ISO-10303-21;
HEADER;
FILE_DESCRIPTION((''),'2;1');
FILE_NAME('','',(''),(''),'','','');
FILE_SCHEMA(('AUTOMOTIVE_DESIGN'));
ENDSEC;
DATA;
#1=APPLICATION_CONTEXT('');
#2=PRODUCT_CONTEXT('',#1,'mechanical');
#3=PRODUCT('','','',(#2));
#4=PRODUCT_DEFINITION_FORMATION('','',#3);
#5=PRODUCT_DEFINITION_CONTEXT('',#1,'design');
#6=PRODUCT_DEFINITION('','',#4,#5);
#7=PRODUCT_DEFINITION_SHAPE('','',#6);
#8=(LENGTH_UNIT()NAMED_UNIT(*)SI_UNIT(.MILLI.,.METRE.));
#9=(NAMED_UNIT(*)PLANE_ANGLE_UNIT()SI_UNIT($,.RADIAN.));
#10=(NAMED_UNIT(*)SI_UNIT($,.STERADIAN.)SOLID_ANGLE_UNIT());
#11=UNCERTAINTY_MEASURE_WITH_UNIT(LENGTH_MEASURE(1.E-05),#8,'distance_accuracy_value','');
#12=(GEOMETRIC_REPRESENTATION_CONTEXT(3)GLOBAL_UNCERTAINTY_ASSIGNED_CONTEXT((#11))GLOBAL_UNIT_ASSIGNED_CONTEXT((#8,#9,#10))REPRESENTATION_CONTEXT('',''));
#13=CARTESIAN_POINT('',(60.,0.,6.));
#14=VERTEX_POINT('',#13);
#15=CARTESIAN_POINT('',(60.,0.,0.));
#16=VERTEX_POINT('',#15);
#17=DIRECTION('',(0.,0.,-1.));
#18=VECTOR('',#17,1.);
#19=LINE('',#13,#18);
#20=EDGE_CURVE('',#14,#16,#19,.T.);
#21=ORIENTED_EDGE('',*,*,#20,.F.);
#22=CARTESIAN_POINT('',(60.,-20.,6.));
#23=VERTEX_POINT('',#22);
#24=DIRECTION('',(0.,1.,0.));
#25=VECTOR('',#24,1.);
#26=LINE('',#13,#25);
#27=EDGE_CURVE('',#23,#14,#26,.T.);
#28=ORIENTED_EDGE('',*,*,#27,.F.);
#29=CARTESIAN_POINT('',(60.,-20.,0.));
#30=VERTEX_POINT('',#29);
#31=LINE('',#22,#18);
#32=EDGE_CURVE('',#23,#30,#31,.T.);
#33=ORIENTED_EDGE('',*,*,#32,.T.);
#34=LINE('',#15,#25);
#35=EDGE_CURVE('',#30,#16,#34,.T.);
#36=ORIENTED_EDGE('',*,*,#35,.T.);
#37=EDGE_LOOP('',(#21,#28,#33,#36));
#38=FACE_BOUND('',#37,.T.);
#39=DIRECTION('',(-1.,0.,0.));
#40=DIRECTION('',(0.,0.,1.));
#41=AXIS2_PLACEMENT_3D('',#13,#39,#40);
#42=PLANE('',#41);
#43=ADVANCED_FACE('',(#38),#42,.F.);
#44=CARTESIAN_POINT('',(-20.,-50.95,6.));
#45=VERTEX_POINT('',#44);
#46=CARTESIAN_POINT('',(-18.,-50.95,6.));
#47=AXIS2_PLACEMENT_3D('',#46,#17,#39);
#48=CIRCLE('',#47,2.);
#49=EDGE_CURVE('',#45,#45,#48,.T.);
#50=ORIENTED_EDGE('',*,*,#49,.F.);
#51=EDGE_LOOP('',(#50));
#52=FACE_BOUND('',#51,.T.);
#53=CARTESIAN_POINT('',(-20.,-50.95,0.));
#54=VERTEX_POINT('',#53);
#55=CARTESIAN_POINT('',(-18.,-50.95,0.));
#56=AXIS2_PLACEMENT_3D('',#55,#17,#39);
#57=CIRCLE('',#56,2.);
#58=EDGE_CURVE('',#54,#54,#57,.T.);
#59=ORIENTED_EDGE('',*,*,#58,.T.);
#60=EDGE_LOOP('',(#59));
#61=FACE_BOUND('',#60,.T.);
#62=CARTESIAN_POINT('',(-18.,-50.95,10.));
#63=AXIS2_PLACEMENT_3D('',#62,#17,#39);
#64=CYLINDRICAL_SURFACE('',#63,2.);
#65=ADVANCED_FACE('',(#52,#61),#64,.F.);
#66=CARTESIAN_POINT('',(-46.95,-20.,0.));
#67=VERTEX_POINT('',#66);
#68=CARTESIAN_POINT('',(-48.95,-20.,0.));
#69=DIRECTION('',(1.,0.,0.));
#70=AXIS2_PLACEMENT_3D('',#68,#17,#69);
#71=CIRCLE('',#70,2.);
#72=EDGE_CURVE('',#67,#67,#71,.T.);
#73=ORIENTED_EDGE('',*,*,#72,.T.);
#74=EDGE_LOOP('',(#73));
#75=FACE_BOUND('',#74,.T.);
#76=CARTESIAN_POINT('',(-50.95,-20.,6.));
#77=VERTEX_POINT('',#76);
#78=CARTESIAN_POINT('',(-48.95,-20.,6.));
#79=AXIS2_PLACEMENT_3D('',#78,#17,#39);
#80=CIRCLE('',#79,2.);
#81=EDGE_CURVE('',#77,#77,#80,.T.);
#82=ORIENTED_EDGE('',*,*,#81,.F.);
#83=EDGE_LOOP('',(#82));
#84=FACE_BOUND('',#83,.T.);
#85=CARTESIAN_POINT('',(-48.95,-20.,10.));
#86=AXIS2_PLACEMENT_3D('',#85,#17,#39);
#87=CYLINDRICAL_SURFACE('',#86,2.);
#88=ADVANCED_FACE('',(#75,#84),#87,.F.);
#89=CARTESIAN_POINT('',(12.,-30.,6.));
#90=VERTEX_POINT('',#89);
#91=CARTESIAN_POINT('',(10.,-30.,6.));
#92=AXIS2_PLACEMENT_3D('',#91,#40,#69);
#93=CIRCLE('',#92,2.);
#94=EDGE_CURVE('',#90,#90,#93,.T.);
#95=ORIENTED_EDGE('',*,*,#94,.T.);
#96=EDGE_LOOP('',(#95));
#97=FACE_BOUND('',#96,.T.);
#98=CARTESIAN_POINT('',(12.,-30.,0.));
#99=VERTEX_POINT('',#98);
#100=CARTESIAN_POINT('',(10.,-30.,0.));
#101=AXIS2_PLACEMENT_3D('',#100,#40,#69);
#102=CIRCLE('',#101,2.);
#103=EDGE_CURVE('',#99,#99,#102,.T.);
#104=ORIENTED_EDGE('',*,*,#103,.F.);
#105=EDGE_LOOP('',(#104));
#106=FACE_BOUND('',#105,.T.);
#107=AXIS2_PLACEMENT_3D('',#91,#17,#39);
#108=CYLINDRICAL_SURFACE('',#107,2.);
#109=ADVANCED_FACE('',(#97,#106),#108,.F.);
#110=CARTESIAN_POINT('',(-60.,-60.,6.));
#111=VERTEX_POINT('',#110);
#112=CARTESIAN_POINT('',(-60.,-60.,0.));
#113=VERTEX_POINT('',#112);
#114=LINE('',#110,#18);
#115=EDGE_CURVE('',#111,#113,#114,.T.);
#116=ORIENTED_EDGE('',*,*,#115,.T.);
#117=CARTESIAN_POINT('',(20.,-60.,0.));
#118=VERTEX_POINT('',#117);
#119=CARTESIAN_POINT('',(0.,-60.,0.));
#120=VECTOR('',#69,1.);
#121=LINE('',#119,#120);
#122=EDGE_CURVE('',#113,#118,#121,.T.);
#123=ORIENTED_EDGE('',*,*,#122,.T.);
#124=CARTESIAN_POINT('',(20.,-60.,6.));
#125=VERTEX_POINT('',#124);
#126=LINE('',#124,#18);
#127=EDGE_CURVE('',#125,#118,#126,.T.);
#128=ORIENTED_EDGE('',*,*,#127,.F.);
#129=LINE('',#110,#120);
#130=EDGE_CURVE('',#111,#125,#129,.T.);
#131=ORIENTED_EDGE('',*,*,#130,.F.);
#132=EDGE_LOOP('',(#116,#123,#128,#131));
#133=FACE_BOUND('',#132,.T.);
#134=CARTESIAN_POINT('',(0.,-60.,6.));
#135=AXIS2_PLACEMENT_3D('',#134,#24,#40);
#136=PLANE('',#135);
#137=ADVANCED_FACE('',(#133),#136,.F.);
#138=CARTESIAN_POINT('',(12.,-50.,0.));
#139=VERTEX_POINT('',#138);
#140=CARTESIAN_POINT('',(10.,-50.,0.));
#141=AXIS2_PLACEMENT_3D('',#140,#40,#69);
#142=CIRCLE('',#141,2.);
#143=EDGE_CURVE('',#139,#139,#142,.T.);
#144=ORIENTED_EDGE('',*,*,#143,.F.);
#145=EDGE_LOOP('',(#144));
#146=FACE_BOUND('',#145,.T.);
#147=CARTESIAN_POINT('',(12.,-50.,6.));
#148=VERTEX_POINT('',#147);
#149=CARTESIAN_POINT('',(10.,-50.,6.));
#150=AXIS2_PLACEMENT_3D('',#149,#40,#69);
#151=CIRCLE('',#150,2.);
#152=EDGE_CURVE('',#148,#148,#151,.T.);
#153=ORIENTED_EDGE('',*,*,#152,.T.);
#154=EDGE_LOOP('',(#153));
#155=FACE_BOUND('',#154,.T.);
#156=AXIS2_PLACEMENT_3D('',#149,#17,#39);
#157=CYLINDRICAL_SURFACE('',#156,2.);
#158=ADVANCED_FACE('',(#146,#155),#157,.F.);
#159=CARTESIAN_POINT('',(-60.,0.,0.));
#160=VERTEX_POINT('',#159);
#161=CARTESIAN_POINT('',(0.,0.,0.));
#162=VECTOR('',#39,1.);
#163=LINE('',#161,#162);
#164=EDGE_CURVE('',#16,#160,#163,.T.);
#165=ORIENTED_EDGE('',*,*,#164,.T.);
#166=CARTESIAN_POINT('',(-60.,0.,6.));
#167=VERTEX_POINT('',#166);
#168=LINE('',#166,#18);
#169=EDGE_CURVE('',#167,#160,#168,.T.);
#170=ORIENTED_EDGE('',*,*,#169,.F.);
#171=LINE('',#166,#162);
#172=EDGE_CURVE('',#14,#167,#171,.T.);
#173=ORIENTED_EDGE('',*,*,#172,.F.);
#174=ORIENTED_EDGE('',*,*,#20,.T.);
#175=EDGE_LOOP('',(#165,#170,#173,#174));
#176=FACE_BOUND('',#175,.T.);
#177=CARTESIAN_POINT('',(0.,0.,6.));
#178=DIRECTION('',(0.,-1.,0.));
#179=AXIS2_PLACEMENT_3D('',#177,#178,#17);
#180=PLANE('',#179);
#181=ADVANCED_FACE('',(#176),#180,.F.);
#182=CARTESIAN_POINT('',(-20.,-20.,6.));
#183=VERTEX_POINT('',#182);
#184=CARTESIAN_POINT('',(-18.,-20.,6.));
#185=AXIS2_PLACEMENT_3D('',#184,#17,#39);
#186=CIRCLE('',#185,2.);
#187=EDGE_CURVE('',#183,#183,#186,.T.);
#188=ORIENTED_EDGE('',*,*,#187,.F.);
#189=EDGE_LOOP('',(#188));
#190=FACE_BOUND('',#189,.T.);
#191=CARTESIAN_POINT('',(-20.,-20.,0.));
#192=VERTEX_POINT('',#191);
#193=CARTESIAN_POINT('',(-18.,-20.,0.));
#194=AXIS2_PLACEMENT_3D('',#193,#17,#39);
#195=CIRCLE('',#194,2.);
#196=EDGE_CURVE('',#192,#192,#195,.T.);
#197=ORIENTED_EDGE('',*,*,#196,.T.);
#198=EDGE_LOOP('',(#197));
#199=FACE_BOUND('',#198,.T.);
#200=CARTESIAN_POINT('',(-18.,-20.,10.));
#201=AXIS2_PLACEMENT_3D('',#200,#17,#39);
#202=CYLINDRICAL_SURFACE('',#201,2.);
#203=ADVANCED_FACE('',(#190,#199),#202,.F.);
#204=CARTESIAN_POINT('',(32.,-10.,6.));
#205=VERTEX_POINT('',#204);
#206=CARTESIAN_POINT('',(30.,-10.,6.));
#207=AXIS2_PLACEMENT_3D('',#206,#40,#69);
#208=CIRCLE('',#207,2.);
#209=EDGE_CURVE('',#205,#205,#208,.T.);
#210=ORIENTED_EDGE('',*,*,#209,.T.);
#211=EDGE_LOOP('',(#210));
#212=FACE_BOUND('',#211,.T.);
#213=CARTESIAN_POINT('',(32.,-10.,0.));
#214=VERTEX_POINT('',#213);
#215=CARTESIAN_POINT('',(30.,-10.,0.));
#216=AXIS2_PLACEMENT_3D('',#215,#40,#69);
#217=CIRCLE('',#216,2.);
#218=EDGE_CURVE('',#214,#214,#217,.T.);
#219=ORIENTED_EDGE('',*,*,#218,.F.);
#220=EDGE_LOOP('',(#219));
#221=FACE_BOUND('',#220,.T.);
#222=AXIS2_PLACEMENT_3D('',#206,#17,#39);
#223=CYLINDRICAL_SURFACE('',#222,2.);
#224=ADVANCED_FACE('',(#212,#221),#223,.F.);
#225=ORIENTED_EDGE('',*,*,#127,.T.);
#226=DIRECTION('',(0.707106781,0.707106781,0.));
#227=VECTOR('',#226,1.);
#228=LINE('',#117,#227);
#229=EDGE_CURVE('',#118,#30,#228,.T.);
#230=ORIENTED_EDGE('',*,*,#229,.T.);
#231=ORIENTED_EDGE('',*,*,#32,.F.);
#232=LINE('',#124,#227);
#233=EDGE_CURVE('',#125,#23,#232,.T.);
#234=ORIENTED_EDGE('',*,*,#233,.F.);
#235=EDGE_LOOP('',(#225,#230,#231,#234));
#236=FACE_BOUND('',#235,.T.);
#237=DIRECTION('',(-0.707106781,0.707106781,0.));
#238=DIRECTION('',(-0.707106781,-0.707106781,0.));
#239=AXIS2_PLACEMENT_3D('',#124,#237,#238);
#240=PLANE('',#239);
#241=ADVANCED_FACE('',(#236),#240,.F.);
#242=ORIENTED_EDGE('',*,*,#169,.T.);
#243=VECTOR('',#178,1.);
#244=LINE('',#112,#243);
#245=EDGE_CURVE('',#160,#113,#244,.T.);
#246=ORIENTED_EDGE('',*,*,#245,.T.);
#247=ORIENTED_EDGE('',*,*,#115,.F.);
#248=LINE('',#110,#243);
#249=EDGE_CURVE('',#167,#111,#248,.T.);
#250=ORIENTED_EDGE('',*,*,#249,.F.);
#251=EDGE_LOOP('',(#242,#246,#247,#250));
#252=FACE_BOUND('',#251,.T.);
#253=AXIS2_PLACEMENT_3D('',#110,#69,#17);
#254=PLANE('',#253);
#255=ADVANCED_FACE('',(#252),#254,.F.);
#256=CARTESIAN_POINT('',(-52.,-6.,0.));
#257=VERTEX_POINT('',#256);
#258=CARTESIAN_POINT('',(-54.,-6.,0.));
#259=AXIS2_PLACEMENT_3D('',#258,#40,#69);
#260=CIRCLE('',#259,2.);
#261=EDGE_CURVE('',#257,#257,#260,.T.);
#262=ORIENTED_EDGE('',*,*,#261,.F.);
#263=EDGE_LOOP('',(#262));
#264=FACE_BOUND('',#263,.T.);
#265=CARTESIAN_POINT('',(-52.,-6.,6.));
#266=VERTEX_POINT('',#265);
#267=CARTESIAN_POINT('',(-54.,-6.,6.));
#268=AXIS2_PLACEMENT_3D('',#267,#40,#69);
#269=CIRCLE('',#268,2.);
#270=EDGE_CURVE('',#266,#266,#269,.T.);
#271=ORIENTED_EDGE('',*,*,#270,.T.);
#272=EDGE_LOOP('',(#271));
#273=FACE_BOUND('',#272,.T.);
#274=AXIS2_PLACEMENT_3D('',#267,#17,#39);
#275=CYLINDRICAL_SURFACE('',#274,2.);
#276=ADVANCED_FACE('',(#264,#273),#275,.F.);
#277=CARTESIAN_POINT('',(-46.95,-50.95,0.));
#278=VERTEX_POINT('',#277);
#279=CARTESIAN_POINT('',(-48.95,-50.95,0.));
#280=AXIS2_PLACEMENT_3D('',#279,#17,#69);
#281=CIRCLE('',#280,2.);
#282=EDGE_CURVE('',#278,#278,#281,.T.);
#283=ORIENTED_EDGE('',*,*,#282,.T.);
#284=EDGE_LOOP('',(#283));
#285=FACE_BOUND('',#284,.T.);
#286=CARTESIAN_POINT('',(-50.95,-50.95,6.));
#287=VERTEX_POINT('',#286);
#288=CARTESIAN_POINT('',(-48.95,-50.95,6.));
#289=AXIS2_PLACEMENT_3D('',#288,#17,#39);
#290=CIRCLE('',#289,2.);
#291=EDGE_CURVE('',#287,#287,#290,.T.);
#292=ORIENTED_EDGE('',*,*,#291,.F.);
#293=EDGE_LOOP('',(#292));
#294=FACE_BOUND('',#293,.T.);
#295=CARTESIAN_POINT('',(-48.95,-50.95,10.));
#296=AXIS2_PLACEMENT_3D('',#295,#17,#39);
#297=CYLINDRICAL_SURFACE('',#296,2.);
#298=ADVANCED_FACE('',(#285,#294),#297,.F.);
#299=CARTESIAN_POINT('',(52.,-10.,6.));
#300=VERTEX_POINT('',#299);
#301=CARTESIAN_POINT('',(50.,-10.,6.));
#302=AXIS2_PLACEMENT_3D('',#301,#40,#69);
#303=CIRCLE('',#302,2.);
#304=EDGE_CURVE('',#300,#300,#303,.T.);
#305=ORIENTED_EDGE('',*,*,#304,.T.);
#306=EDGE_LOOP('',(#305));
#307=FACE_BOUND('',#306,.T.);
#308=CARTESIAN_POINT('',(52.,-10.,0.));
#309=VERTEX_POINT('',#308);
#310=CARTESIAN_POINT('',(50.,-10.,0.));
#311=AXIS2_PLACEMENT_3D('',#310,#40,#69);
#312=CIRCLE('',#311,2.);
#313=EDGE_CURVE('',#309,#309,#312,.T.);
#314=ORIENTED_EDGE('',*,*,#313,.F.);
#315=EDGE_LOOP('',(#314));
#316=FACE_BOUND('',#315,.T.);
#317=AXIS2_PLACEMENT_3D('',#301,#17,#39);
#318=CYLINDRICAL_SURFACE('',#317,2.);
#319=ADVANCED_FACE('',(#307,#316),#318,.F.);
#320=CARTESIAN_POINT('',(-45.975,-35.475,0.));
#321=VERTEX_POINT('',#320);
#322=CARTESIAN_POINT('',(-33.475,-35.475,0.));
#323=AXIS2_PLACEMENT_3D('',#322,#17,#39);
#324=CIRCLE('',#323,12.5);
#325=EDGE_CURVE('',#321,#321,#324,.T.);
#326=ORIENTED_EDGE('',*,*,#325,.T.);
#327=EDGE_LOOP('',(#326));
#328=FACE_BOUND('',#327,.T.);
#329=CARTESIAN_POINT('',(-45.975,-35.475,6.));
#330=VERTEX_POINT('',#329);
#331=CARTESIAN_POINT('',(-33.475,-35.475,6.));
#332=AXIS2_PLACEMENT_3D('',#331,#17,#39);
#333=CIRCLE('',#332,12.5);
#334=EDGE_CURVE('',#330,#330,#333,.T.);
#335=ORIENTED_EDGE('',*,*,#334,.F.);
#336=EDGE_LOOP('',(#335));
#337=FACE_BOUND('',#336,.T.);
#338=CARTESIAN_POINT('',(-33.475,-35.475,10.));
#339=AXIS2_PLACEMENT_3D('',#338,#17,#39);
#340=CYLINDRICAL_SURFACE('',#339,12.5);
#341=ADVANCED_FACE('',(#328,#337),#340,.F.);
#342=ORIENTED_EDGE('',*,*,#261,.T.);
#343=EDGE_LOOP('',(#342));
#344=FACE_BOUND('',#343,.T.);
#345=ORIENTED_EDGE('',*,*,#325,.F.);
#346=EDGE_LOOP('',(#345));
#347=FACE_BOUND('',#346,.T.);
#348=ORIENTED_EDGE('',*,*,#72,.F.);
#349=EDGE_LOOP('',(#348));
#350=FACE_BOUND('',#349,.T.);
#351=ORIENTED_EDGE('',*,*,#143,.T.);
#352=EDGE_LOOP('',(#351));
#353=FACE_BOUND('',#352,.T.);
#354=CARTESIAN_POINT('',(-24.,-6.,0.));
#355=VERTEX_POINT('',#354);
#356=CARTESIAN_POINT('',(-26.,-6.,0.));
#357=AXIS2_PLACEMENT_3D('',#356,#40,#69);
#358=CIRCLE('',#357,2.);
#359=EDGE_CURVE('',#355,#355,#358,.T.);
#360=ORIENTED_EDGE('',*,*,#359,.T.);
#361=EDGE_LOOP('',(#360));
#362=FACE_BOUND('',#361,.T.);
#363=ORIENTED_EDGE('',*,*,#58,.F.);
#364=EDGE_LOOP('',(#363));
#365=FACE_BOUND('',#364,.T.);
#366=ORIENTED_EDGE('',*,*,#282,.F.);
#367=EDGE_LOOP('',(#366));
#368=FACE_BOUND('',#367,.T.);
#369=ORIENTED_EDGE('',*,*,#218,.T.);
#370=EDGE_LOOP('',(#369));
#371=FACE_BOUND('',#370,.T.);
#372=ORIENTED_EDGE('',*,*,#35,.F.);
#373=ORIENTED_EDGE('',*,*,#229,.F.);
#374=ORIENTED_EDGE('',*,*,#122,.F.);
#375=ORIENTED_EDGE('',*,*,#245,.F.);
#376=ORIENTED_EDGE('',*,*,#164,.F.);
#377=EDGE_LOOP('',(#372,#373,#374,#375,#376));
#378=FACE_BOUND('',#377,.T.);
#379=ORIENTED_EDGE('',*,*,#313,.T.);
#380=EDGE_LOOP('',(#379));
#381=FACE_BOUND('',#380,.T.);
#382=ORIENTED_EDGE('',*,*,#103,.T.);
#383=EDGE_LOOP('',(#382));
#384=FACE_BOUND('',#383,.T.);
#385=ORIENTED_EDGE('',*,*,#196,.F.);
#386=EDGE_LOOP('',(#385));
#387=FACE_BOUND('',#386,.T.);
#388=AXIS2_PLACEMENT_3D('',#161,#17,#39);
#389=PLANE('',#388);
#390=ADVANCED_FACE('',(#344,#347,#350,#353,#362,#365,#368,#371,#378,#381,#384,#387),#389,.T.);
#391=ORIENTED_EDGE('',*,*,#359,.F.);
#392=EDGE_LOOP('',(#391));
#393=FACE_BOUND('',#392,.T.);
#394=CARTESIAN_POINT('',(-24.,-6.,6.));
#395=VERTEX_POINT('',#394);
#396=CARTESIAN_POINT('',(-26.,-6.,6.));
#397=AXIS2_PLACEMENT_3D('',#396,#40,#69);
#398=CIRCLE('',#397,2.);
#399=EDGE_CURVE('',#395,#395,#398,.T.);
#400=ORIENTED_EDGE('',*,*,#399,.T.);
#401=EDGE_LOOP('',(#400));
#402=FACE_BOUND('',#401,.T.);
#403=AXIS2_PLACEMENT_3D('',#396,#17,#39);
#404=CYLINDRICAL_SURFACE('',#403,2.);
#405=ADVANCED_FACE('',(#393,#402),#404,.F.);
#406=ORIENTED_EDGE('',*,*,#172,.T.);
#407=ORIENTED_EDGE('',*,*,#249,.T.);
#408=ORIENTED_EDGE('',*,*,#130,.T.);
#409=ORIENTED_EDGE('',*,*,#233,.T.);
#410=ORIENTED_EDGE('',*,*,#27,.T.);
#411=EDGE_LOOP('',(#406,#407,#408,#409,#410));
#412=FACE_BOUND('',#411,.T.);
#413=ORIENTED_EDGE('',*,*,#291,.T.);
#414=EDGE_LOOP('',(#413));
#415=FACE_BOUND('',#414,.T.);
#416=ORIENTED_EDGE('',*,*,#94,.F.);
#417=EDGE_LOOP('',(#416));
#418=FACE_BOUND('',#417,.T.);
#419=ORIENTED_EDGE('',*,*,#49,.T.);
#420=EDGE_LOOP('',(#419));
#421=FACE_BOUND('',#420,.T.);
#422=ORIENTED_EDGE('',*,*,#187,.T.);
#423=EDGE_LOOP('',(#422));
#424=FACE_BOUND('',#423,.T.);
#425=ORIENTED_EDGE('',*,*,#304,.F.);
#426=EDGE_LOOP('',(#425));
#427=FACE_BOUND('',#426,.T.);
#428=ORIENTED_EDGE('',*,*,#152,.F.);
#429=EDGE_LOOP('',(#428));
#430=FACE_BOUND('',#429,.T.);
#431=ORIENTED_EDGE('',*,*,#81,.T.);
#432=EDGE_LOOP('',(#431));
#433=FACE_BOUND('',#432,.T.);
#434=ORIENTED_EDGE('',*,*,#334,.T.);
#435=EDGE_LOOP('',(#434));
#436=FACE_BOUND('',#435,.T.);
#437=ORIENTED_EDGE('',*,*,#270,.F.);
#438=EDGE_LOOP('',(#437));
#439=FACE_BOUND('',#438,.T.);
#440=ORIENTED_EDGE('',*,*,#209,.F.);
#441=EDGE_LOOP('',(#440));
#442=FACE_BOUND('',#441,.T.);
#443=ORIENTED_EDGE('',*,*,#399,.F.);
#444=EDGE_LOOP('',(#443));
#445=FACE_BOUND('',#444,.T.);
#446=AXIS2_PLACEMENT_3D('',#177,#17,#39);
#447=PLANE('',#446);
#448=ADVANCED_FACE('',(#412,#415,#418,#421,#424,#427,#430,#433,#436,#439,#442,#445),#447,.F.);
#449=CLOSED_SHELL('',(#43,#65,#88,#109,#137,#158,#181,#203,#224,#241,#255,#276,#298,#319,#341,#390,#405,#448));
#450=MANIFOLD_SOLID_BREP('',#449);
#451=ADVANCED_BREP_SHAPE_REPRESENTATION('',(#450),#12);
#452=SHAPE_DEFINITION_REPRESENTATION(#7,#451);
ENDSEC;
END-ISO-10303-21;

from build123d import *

# Parameters (mm, degrees)
SKETCH1_R           = 2
BOSS_EXTRUDE1_DEPTH = 6
SKETCH2_R           = 2
SKETCH2_R_2         = 12.5
CUT_EXTRUDE1_DEPTH  = 10


with BuildPart() as part:
    # Sketch1 → Boss-Extrude1 (new body)
    with BuildSketch(Plane.XY):
        Polygon((20, -60), (60, -20), (60, 0), (0, 0), (-60, 0), (-60, -60), (0, -60), align=None)
        with Locations((50, -10)):
            Circle(SKETCH1_R, mode=Mode.SUBTRACT)
        with Locations((30, -10)):
            Circle(SKETCH1_R, mode=Mode.SUBTRACT)
        with Locations((10, -50)):
            Circle(SKETCH1_R, mode=Mode.SUBTRACT)
        with Locations((10, -30)):
            Circle(SKETCH1_R, mode=Mode.SUBTRACT)
        with Locations((-54, -6)):
            Circle(SKETCH1_R, mode=Mode.SUBTRACT)
        with Locations((-26, -6)):
            Circle(SKETCH1_R, mode=Mode.SUBTRACT)
    extrude(amount=BOSS_EXTRUDE1_DEPTH)

    # Sketch2 → Cut-Extrude1 (cut)
    with BuildSketch(Plane(origin=(0, 0, 0), x_dir=(-1, 0, 0), z_dir=(0, 0, -1))):
        with Locations((18, -20)):
            Circle(SKETCH2_R)
        with Locations((18, -50.95)):
            Circle(SKETCH2_R)
        with Locations((48.95, -20)):
            Circle(SKETCH2_R)
        with Locations((48.95, -50.95)):
            Circle(SKETCH2_R)
        with Locations((33.475, -35.475)):
            Circle(SKETCH2_R_2)
    extrude(amount=-CUT_EXTRUDE1_DEPTH, mode=Mode.SUBTRACT)


solid = part.part
